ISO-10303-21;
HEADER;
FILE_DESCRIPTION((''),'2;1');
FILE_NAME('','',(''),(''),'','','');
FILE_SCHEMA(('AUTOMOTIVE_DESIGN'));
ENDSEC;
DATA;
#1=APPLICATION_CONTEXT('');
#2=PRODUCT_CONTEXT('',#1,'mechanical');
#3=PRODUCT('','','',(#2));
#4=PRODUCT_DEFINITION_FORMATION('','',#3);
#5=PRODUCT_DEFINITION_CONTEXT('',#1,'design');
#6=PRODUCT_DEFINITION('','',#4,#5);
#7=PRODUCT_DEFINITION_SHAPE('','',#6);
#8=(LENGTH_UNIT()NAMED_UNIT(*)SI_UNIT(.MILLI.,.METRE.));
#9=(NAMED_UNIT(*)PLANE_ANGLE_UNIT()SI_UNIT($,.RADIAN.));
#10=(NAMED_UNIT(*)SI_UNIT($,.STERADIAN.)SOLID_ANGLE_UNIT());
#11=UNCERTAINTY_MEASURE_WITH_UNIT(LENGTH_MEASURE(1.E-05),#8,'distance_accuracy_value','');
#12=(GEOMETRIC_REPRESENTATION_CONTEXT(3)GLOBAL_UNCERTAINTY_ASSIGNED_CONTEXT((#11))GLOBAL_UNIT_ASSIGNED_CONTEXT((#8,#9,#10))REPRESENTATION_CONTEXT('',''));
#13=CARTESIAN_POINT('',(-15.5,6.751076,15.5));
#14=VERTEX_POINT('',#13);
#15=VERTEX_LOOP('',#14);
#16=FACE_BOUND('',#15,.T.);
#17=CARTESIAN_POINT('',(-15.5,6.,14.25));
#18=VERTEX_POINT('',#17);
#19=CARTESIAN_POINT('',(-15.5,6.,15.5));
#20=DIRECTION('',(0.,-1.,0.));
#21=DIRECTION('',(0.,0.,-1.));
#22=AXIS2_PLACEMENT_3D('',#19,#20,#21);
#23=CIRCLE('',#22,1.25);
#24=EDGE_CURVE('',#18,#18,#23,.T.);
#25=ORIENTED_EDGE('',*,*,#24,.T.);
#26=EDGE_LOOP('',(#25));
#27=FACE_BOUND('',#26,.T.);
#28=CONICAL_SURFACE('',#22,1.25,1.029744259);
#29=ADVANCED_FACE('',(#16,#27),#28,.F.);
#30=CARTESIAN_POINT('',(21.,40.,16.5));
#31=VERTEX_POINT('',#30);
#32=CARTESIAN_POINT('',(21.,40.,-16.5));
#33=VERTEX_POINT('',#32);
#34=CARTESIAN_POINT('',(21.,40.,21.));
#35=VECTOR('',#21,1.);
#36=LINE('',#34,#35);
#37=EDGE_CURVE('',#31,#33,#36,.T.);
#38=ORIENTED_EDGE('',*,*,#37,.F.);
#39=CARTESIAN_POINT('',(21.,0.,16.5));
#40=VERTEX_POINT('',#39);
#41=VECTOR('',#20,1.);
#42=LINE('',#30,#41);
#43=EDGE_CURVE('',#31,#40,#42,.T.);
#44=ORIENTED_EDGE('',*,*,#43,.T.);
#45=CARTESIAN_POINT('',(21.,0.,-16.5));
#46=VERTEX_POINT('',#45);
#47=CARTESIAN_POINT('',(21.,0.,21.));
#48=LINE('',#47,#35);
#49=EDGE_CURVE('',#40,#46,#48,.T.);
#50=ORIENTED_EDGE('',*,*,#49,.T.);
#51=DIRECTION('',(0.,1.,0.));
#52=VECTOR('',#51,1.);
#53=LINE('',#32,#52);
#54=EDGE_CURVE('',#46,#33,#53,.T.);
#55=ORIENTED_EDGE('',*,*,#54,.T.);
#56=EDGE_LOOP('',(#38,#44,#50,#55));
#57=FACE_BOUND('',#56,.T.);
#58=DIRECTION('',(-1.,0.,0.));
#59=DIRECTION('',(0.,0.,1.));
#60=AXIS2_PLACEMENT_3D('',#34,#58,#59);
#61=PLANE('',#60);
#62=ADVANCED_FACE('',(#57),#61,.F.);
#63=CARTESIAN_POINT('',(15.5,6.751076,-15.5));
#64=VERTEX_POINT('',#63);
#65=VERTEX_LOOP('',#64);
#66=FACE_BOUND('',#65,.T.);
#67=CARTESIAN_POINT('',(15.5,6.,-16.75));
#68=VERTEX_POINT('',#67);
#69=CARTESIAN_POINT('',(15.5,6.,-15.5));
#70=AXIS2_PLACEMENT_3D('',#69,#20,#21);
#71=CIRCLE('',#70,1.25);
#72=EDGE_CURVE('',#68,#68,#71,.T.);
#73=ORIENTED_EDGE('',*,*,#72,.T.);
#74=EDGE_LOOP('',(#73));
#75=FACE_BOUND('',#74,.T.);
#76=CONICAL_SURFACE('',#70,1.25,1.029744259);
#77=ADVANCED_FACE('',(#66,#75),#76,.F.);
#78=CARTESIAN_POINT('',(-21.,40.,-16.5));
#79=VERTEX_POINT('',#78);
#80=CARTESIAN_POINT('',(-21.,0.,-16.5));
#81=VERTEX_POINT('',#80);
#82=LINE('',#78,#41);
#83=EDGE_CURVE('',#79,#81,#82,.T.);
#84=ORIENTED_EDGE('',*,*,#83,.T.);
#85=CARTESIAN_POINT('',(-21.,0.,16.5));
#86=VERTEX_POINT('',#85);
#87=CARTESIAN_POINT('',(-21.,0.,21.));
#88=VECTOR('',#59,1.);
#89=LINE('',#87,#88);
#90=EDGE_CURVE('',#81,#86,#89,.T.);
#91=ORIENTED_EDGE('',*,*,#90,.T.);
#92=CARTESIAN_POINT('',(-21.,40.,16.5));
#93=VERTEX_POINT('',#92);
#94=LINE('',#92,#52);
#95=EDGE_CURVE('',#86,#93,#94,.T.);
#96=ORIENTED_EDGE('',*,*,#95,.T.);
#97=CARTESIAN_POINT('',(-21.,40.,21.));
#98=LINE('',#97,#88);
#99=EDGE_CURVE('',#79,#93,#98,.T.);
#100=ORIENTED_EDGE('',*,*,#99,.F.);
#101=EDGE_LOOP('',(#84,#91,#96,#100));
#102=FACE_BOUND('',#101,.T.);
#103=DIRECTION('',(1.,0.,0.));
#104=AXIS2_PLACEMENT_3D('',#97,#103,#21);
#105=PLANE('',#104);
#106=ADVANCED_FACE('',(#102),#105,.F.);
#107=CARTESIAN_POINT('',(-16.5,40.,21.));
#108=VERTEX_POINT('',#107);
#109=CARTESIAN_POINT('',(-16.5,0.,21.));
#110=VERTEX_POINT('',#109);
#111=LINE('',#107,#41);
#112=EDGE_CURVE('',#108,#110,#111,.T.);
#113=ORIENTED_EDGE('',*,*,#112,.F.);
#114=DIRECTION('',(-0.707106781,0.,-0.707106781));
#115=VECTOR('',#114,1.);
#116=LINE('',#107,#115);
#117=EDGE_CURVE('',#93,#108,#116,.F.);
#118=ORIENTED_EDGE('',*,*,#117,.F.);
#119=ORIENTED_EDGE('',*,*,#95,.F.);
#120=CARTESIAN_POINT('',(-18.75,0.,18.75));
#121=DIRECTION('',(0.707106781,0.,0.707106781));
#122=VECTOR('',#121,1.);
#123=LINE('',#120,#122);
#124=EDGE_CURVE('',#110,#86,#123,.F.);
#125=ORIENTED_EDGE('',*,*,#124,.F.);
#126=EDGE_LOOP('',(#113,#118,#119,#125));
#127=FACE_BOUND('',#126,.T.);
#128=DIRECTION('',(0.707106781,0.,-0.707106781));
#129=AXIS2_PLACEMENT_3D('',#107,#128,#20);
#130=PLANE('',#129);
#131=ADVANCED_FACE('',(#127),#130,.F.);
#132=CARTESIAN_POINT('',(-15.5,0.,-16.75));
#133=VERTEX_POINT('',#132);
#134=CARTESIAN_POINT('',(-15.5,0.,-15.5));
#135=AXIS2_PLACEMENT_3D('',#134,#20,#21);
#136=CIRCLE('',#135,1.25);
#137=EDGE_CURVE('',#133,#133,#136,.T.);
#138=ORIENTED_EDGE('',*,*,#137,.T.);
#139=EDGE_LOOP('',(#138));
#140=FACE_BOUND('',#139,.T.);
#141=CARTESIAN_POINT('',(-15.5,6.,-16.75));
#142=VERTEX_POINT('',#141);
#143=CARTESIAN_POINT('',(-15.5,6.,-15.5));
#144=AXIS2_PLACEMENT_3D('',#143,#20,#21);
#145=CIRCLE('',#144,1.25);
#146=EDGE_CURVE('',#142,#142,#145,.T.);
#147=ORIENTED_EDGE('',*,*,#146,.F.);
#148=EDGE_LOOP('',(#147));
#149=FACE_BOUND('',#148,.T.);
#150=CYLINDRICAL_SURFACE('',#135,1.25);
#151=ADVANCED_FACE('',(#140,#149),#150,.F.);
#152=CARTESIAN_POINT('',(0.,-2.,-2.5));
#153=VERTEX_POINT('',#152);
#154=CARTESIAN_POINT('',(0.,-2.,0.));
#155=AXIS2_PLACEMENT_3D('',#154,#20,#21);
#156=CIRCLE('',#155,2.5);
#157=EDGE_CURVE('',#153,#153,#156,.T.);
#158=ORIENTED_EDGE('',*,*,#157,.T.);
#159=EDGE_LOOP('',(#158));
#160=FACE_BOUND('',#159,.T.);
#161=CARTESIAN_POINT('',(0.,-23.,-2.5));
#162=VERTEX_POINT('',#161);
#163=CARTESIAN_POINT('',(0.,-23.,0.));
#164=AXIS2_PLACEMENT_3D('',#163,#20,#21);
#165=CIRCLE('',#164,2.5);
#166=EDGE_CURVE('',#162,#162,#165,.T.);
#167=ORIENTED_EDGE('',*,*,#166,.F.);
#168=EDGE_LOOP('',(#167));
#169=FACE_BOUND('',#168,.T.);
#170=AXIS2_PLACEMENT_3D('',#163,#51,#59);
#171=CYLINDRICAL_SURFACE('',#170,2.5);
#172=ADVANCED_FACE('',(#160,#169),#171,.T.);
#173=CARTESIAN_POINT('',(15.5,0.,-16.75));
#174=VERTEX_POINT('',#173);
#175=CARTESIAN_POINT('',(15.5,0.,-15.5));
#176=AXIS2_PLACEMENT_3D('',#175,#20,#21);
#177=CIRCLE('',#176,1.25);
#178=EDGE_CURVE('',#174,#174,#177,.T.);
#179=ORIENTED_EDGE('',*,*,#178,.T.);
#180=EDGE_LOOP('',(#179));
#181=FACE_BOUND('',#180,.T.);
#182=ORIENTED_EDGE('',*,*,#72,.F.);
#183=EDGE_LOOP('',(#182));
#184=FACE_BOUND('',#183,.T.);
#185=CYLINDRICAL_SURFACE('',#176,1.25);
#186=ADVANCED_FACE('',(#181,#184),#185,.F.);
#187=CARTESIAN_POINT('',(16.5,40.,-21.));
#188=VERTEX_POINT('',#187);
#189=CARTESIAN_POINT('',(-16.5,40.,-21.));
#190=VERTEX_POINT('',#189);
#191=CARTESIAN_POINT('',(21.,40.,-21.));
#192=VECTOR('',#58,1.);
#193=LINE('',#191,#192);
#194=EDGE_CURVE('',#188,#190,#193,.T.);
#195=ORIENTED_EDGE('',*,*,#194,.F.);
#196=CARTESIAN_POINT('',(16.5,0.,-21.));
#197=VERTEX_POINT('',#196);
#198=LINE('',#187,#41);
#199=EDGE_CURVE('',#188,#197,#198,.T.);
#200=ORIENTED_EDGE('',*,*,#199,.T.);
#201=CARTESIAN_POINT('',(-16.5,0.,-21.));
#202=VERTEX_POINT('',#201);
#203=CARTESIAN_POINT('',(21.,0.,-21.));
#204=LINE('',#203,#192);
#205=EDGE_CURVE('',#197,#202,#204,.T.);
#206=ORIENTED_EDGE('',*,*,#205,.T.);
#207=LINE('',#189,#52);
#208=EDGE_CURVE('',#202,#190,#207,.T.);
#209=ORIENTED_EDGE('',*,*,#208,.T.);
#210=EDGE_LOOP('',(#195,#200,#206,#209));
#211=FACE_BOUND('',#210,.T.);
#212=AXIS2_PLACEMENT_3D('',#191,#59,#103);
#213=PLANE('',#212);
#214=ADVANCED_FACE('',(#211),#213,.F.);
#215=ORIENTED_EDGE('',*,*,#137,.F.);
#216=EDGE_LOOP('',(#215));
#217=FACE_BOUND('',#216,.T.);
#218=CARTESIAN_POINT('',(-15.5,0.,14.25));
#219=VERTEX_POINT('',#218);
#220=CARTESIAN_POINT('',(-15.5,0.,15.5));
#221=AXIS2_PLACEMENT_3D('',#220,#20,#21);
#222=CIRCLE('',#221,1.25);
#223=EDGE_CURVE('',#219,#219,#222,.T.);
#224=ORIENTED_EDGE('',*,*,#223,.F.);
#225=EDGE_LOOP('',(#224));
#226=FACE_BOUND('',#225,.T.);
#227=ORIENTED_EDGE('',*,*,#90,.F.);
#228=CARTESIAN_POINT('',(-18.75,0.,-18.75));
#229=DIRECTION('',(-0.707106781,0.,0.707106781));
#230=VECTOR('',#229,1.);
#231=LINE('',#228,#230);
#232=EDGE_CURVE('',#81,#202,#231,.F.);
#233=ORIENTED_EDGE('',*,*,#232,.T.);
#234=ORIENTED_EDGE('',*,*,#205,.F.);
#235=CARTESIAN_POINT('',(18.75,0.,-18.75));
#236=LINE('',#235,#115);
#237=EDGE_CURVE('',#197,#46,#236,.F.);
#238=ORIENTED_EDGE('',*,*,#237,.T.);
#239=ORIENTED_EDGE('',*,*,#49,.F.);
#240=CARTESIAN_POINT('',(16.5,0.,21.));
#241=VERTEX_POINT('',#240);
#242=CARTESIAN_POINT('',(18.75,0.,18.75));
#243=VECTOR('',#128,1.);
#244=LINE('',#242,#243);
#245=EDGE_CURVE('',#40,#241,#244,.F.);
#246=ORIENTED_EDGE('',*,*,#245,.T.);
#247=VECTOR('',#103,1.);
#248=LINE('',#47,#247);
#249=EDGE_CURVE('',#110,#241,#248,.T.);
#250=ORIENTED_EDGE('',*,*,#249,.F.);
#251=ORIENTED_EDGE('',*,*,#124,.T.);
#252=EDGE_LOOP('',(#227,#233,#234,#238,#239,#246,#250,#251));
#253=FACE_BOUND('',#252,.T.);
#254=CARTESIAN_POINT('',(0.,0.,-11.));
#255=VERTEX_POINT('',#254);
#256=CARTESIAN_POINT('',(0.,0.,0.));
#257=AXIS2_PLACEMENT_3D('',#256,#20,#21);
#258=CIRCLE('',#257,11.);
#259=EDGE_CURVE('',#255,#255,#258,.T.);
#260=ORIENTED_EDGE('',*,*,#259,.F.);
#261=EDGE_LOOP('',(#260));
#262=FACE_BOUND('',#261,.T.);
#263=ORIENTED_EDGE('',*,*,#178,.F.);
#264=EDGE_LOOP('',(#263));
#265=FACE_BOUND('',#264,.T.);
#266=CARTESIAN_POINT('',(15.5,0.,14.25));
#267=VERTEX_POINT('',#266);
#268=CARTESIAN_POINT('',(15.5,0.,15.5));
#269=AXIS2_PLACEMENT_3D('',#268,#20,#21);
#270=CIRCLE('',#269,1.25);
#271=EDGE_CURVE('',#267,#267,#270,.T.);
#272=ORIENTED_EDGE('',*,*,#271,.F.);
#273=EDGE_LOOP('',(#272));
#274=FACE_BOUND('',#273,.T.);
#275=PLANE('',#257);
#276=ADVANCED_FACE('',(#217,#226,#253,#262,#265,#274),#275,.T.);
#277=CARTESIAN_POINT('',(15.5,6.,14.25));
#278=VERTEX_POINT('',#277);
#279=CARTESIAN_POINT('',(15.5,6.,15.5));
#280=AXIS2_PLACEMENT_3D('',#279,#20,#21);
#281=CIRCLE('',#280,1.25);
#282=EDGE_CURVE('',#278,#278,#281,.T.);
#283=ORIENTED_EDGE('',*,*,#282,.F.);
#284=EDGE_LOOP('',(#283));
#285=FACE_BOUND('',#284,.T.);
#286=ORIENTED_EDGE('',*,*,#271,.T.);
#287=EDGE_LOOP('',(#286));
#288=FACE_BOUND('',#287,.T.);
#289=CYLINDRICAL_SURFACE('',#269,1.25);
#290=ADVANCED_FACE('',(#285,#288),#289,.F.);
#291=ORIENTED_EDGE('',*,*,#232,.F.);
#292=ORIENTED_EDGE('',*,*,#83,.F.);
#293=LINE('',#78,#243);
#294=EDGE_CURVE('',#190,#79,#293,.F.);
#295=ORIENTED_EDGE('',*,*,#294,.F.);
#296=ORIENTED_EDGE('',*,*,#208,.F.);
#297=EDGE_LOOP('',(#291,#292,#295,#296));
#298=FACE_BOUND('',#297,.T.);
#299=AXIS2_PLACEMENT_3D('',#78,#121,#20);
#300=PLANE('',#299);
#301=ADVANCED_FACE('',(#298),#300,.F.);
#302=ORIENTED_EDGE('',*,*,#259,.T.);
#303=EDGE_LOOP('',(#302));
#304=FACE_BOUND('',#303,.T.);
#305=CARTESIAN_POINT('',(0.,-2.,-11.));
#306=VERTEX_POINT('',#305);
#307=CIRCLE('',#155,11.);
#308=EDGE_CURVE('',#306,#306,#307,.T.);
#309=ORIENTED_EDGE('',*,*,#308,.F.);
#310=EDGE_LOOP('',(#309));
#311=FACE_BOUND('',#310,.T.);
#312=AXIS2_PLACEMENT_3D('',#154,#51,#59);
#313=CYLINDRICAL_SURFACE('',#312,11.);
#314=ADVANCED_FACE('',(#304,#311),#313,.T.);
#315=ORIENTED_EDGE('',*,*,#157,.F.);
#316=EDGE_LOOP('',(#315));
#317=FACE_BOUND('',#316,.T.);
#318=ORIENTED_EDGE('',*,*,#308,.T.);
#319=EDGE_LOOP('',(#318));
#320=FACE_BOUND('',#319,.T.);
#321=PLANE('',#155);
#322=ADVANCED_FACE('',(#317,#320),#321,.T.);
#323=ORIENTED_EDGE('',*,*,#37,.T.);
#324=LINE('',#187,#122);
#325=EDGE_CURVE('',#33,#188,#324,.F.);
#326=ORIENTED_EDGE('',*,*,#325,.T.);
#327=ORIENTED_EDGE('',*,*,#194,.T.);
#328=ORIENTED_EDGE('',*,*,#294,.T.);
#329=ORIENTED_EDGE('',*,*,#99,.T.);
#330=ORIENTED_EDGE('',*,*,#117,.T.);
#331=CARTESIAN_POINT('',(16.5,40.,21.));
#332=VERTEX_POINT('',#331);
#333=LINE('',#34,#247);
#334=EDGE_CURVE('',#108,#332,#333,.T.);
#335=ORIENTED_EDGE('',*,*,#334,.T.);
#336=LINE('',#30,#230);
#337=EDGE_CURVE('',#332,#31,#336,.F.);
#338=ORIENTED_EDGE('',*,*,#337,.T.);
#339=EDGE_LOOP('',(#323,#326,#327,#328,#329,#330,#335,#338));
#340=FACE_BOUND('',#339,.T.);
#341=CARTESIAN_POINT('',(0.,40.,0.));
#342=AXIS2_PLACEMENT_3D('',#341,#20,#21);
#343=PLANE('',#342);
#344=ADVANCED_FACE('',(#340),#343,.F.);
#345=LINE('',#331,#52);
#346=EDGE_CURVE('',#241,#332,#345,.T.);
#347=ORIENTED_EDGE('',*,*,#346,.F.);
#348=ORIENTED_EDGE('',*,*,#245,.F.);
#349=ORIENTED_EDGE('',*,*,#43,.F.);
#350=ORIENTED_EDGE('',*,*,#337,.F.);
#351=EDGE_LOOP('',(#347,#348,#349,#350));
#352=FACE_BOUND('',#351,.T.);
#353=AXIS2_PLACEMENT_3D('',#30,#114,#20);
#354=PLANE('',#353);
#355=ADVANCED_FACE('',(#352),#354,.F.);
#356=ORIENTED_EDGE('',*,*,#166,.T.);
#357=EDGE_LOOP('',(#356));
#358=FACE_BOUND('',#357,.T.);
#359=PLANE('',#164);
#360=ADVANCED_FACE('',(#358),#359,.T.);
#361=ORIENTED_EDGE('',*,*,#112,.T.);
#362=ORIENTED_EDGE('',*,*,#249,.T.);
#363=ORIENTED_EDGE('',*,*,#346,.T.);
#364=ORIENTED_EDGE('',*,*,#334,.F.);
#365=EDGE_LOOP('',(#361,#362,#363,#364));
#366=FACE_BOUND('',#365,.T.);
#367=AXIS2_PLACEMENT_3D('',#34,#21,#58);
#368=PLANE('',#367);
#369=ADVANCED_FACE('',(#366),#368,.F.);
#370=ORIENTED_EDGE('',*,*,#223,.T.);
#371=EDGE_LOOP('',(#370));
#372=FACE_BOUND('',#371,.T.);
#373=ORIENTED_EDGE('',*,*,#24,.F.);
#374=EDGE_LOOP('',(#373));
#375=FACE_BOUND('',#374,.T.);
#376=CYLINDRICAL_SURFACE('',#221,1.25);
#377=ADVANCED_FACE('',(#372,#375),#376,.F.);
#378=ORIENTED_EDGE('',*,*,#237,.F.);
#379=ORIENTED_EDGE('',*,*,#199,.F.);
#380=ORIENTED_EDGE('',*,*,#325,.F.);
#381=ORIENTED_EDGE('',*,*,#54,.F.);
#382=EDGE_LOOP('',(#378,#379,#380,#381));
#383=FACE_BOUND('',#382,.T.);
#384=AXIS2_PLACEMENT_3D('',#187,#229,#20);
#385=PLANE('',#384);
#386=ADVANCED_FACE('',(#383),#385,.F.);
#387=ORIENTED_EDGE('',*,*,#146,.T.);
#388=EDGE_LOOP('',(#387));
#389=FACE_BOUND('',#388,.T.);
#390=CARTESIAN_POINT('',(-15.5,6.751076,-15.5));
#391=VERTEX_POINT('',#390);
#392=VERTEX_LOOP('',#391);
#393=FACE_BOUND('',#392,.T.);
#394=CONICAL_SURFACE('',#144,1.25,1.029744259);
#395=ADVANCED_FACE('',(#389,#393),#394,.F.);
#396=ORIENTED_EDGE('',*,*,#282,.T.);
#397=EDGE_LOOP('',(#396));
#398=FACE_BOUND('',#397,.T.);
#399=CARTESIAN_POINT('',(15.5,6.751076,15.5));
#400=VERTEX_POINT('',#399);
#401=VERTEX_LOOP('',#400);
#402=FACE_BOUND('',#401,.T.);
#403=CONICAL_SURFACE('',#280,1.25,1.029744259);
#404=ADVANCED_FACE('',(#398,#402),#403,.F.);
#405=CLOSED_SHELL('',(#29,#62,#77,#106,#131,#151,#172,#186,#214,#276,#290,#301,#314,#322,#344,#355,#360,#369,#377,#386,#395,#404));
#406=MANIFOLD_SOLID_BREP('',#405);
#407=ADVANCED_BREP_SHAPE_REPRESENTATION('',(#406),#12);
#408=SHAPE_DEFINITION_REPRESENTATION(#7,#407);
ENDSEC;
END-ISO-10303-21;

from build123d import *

# Parameters (mm, degrees)
SKETCH1_W                 = 42
SKETCH1_H                 = 42
BOSS_EXTRUDE1_DEPTH       = 40
SKETCH2_R                 = 11
BOSS_EXTRUDE2_DEPTH       = 2
SKETCH3_R                 = 2.5
BOSS_EXTRUDE3_DEPTH       = 21
CHAMFER1_SIZE             = 4.5
M3X0_5_TAPPED_HOLE2_D     = 2.5
M3X0_5_TAPPED_HOLE2_DEPTH = 6
M3X0_5_TAPPED_HOLE2_TIP   = 0.751075774


with BuildPart() as part:
    # Sketch1 → Boss-Extrude1 (new body)
    with BuildSketch(Plane(origin=(0, 0, 0), x_dir=(1, 0, 0), z_dir=(0, 1, 0))):
        Rectangle(SKETCH1_W, SKETCH1_H)
    extrude(amount=BOSS_EXTRUDE1_DEPTH)

    # Sketch2 → Boss-Extrude2 (add)
    with BuildSketch(Plane.XZ):
        Circle(SKETCH2_R)
    extrude(amount=BOSS_EXTRUDE2_DEPTH)

    # Sketch3 → Boss-Extrude3 (add)
    with BuildSketch(Plane.XZ.offset(2)):
        Circle(SKETCH3_R)
    extrude(amount=BOSS_EXTRUDE3_DEPTH)

    # Chamfer1
    chamfer1_edges = [part.edges().sort_by_distance(p)[0] for p in [
        (-21, 20, 21),
        (-21, 20, -21),
        (21, 20, -21),
        (21, 20, 21),
    ]]
    chamfer(chamfer1_edges, length=CHAMFER1_SIZE)

    # M3x0.5 Tapped Hole2
    with Locations(Plane(origin=(0, 0, 0), x_dir=(-1, 0, 0), z_dir=(0, -1, 0))):
        with Locations((15.5, 15.5), (-15.5, 15.5), (-15.5, -15.5), (15.5, -15.5)):
            Hole(M3X0_5_TAPPED_HOLE2_D / 2, depth=M3X0_5_TAPPED_HOLE2_DEPTH)
            with Locations((0, 0, -(M3X0_5_TAPPED_HOLE2_DEPTH + M3X0_5_TAPPED_HOLE2_TIP / 2))):  # 118° drill point
                Cone(0, M3X0_5_TAPPED_HOLE2_D / 2, M3X0_5_TAPPED_HOLE2_TIP, mode=Mode.SUBTRACT)


solid = part.part
